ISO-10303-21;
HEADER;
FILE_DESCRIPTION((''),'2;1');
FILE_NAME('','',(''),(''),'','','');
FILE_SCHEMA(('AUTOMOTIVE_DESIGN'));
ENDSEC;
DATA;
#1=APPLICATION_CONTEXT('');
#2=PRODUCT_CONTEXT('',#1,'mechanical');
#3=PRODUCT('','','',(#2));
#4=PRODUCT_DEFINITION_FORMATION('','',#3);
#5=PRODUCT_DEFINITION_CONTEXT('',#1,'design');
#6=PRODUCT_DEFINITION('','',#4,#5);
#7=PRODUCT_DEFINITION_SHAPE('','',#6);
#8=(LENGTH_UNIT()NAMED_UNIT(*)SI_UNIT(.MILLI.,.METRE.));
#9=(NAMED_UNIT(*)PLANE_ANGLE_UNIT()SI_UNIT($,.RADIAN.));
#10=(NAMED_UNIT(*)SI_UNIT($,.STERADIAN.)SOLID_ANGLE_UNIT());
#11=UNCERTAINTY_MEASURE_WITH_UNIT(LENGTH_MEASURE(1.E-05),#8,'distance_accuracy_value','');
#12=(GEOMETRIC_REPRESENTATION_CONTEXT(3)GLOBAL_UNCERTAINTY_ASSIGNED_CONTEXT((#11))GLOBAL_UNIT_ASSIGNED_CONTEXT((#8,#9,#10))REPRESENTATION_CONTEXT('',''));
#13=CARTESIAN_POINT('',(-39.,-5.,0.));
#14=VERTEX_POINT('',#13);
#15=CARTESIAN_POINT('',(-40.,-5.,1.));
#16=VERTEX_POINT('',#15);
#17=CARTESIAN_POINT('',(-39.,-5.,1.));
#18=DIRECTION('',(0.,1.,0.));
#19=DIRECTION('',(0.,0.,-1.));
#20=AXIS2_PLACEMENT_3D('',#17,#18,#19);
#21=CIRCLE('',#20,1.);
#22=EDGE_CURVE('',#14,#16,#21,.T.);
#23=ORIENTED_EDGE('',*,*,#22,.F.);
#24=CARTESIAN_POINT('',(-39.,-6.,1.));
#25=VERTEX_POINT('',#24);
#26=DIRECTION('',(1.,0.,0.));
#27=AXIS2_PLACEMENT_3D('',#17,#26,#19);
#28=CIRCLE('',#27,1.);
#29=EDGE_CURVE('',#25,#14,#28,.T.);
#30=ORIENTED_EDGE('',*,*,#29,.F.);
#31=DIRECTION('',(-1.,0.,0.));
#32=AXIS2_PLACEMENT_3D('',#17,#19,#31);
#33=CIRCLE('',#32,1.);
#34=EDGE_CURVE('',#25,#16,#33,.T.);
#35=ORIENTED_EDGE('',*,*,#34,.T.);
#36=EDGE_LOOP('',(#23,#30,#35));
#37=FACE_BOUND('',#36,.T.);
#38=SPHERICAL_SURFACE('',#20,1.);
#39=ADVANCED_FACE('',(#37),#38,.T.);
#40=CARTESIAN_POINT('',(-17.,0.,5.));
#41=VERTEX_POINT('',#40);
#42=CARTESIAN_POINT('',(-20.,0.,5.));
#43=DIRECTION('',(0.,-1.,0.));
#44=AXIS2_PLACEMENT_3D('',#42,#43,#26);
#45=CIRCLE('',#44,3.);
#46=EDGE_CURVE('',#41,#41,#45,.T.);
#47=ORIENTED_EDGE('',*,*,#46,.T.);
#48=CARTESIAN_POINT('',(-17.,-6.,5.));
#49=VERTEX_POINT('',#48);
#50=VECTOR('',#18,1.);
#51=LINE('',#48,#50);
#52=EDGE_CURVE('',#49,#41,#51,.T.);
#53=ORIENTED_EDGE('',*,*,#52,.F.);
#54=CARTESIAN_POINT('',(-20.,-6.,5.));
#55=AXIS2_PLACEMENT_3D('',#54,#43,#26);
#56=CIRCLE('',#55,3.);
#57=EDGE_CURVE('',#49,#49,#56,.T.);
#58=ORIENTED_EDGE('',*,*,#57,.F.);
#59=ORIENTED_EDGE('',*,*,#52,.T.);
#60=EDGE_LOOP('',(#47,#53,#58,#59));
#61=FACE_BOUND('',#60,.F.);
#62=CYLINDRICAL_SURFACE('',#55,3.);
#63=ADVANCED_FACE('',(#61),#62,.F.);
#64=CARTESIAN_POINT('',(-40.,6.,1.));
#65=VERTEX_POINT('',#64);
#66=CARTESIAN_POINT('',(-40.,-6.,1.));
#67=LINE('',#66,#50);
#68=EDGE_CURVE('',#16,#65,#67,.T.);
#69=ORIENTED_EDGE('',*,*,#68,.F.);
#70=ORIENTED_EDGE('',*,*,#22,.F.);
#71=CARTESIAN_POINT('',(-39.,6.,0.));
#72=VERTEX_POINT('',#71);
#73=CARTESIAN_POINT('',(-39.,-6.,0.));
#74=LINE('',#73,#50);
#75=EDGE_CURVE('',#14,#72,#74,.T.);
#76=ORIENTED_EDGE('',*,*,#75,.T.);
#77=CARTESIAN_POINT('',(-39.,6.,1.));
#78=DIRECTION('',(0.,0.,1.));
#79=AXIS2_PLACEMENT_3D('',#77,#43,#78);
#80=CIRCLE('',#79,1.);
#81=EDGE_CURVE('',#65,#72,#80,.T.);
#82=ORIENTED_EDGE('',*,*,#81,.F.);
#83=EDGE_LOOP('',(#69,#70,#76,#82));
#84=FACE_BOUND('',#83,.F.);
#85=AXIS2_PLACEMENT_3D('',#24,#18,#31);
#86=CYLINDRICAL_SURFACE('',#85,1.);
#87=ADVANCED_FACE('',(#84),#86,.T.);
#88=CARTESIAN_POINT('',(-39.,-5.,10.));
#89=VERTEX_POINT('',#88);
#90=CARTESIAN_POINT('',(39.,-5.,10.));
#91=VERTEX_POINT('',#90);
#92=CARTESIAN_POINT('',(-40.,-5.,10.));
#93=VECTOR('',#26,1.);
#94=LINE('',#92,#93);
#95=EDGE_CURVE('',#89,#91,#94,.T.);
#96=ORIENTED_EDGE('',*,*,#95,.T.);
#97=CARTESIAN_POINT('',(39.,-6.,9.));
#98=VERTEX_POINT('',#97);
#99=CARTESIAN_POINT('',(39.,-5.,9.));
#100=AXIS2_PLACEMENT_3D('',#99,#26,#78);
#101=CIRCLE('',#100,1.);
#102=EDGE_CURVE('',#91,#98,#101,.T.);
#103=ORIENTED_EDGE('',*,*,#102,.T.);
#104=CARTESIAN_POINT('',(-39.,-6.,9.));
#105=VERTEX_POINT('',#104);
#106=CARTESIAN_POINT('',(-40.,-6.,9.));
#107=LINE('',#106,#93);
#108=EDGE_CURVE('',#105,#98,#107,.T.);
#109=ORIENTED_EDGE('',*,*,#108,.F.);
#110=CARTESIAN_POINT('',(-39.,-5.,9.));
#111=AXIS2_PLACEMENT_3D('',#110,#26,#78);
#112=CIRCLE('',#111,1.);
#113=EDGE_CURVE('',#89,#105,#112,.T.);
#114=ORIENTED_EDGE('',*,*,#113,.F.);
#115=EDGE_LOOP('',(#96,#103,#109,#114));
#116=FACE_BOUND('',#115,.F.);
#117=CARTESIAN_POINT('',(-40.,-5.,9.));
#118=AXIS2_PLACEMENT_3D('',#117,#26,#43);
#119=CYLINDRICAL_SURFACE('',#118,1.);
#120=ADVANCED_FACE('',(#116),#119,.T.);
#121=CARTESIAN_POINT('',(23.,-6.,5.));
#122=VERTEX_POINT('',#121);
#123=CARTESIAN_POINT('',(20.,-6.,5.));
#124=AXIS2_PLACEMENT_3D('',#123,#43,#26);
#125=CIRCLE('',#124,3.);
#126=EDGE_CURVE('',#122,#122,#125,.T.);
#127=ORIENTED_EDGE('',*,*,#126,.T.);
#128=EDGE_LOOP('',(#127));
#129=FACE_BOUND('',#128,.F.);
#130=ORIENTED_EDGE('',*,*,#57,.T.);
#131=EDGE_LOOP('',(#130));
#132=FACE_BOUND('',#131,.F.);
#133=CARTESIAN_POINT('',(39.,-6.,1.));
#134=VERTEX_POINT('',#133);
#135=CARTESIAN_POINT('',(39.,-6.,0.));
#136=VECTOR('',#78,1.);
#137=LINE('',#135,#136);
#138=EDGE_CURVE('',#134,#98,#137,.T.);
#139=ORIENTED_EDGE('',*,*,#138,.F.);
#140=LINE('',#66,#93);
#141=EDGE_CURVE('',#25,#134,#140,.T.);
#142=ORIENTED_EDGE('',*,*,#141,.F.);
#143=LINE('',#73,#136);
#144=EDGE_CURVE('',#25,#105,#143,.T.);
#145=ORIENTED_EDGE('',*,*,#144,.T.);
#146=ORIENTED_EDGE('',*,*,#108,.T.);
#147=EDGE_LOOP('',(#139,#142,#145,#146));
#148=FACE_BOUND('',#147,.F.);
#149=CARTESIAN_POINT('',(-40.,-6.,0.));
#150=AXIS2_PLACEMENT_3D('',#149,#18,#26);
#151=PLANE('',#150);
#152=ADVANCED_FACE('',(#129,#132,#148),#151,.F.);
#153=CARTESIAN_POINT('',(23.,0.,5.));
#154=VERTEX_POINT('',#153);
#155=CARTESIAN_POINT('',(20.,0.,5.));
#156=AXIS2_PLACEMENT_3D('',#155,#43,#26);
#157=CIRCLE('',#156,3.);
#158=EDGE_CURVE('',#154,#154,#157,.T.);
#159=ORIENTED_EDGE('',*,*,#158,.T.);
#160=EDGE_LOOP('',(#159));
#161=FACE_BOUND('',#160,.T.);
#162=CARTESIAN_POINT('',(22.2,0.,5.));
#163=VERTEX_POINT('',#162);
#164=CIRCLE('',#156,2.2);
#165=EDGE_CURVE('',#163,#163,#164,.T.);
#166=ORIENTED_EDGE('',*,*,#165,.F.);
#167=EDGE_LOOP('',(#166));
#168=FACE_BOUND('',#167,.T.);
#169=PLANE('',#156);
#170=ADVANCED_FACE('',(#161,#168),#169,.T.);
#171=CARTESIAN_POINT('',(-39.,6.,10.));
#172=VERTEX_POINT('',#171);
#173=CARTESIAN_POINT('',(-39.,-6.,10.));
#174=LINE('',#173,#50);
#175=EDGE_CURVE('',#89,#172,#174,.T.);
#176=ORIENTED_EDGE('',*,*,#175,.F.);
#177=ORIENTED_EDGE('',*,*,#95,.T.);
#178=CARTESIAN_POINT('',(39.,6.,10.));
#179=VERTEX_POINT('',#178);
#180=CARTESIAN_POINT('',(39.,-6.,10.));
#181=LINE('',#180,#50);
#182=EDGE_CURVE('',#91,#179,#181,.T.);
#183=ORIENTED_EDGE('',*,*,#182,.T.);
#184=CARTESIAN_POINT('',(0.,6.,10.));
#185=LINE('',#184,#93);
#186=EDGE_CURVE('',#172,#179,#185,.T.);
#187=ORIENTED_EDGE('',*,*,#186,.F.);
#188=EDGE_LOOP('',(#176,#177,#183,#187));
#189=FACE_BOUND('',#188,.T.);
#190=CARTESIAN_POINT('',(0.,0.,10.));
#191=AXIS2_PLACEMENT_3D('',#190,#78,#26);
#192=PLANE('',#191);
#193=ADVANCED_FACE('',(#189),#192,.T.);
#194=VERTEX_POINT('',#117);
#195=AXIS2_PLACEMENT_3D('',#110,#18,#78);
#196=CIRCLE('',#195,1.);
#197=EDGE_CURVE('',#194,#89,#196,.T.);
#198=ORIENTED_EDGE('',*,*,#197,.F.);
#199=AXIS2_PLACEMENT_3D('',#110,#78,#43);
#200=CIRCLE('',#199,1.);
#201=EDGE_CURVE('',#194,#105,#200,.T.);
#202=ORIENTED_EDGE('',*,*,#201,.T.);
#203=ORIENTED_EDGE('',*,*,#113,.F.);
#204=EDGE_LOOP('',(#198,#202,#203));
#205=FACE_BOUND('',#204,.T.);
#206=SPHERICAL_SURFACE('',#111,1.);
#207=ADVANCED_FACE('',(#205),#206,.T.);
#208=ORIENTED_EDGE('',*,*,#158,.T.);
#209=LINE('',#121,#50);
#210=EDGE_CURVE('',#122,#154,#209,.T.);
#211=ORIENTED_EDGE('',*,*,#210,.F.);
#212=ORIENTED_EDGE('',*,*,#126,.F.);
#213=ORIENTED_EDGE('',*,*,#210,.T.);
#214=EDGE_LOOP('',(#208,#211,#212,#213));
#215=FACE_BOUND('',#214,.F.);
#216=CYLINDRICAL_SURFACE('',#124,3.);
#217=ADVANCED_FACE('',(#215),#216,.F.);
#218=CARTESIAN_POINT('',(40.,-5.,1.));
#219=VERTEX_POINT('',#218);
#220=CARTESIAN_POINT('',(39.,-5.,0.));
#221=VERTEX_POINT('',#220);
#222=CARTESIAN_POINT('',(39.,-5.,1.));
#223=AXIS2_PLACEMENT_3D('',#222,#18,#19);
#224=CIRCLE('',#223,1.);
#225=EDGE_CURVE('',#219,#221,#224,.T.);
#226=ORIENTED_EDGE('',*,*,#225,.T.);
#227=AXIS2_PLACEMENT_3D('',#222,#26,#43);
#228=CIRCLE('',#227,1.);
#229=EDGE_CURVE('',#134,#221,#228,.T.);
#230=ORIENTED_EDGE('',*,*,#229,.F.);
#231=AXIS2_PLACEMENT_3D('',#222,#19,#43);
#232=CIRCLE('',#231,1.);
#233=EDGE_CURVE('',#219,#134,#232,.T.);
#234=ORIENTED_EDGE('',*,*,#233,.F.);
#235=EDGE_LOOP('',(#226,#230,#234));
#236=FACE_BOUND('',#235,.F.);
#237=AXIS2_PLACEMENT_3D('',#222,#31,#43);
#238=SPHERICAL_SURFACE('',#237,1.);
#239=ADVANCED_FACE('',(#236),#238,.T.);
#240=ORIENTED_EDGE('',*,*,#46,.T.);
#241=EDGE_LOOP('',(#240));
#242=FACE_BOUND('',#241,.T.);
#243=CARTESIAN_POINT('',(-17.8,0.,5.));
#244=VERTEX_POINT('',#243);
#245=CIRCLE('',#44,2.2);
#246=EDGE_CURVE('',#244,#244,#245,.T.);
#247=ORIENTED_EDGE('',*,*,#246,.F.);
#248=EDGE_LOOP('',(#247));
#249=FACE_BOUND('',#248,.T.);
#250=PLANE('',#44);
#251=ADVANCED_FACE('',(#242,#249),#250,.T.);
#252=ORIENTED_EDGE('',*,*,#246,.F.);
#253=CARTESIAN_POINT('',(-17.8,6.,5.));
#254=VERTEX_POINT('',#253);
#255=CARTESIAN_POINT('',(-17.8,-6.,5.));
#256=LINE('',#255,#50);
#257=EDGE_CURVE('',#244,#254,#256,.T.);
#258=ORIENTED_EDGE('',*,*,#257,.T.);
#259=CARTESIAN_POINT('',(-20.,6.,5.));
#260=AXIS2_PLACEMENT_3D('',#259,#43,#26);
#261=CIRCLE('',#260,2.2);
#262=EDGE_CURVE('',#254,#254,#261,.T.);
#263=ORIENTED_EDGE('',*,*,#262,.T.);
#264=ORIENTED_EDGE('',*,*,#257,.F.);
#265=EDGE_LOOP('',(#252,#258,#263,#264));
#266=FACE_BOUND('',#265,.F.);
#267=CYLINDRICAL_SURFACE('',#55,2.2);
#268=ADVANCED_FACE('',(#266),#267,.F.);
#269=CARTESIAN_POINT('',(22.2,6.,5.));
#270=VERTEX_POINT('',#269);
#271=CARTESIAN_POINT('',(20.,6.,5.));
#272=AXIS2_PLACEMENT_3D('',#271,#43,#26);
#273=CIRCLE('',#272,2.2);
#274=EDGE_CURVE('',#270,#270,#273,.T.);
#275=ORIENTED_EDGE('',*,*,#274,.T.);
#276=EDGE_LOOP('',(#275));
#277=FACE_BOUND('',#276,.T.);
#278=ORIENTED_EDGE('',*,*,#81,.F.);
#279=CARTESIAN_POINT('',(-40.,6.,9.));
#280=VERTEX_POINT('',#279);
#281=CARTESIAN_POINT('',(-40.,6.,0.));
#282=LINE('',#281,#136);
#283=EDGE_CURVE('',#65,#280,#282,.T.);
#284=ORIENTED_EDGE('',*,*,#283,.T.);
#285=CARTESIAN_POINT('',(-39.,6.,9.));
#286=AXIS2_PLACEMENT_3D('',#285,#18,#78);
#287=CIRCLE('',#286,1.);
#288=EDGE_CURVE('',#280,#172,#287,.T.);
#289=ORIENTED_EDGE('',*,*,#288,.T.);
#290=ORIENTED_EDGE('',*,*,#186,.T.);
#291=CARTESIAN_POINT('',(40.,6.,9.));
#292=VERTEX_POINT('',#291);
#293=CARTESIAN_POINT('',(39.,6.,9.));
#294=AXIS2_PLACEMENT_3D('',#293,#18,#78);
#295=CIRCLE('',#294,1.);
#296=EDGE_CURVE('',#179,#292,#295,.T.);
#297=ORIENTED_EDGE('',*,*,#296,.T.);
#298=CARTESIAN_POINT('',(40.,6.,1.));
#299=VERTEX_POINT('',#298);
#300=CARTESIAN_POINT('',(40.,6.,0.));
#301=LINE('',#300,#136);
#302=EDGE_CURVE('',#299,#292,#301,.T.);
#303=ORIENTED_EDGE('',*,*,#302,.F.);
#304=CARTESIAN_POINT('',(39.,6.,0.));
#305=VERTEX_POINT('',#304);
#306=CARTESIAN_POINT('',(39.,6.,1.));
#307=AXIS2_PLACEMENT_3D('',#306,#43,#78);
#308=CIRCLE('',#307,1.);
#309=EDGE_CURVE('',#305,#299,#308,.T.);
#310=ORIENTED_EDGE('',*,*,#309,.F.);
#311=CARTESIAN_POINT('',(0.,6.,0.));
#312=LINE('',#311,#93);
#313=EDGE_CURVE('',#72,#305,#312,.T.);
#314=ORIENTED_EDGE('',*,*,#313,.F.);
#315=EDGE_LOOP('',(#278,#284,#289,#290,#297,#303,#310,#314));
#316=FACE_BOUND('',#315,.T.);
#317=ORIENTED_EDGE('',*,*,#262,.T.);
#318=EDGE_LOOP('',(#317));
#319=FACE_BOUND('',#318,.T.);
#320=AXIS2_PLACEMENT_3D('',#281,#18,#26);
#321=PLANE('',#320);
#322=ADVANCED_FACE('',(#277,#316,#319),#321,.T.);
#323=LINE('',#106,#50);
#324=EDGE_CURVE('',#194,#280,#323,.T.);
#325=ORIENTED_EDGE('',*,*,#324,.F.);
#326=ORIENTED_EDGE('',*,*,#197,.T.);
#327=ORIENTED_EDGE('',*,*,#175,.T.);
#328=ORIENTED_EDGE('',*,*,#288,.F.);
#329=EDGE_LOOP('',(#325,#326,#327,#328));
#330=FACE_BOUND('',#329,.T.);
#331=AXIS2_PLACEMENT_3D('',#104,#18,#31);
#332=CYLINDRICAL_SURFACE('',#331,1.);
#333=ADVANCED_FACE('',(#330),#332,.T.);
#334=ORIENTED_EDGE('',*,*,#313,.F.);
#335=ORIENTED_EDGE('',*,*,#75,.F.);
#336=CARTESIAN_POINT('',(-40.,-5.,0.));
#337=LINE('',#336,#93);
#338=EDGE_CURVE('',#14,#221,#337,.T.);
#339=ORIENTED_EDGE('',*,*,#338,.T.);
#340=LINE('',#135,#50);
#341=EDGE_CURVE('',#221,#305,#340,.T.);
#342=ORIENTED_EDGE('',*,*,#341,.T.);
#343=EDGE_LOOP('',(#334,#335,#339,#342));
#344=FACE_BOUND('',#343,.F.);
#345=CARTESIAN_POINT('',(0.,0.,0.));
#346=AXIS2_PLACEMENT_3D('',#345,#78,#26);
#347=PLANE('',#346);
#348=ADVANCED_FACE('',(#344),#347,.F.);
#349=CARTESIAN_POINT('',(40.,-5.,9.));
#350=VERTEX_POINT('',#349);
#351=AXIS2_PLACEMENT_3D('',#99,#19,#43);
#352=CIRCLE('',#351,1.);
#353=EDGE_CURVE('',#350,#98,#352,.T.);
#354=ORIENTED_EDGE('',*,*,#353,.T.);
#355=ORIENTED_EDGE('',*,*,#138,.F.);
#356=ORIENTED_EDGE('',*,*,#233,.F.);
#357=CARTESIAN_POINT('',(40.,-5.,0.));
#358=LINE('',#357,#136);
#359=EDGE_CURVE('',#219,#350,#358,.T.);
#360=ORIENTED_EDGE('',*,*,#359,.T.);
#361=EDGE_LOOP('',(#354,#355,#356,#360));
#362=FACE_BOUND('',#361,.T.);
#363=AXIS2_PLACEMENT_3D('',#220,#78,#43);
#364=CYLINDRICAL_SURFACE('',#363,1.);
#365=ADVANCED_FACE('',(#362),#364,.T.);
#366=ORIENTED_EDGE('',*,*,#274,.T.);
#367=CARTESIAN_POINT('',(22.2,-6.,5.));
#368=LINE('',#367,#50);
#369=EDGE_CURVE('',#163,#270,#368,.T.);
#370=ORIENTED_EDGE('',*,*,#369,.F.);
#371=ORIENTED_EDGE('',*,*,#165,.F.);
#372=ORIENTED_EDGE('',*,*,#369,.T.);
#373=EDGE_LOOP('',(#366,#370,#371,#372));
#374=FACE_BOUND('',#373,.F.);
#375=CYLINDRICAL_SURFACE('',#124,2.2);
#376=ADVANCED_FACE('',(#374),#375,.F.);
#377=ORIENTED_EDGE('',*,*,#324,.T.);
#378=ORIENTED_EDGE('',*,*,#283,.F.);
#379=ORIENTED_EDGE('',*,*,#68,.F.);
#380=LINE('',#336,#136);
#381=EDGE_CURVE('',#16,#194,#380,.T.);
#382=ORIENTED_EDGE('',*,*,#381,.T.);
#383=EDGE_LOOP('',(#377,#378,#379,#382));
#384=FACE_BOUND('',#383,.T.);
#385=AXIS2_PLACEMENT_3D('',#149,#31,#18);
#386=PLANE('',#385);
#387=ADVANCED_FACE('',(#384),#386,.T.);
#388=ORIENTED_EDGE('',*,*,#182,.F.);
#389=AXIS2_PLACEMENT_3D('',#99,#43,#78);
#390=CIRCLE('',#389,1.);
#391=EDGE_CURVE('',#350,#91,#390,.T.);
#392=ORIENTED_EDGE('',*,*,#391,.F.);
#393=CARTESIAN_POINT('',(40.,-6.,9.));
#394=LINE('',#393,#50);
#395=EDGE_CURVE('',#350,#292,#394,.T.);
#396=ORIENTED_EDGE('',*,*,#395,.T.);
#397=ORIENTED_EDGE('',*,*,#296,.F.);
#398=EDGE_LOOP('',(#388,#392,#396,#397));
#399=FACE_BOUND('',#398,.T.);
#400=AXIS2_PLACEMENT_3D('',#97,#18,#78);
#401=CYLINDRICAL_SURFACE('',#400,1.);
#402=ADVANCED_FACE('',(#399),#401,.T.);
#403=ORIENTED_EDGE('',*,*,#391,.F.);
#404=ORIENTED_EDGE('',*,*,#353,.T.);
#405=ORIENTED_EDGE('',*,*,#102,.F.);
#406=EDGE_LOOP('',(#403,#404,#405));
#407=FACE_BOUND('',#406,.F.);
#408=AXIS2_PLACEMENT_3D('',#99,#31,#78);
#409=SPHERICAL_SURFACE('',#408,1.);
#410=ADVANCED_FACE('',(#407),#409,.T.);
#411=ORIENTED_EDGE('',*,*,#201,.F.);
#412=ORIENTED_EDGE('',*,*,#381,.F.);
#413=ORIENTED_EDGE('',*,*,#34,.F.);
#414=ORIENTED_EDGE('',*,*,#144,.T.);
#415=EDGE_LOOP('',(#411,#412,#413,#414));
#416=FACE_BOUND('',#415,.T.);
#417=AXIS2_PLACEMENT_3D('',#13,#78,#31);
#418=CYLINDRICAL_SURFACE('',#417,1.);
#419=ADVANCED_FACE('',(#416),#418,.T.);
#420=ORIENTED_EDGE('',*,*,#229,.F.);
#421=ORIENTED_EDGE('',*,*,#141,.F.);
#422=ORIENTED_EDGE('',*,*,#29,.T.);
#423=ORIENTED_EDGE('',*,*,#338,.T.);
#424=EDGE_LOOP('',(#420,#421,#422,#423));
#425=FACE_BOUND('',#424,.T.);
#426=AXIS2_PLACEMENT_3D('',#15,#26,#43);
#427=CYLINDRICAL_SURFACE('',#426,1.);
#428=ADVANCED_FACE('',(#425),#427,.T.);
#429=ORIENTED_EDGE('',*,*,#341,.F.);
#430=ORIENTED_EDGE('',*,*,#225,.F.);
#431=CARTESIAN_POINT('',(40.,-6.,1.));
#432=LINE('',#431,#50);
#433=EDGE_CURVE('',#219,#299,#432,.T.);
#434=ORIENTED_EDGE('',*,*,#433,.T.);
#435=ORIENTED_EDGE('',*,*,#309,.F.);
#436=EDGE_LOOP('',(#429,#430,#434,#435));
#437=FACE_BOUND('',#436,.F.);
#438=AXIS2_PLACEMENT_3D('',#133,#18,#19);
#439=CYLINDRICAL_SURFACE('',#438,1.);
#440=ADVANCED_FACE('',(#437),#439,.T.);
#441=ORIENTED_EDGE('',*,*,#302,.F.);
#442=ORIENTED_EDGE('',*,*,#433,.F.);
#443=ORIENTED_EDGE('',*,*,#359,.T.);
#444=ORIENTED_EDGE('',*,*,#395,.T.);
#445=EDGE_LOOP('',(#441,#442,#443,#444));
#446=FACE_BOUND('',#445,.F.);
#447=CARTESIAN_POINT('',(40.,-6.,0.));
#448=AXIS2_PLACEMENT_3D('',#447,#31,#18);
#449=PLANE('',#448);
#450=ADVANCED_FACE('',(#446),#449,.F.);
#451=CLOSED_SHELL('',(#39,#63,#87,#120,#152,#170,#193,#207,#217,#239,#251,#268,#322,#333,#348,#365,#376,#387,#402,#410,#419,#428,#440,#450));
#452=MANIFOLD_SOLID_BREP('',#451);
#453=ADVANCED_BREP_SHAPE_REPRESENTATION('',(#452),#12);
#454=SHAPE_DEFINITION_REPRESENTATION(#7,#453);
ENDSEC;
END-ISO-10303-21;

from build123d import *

# Parameters (mm, degrees)
F0_W     = 80
F0_H     = 12
F1_DEPTH = 10
F2_R     = 2.2
F3_DEPTH = 12.001
F2_R_2   = 3
F4_DEPTH = 6
F5_R     = 1


with BuildPart() as f1:
    # F0 (on Top) → F1 (new body)
    with BuildSketch(Plane.XY):
        Rectangle(F0_W, F0_H)
    extrude(amount=F1_DEPTH)

    # F2 (on face) → F3 (cut, through all)
    with BuildSketch(Plane.XZ.offset(6)):
        with Locations((-20, 5)):
            Circle(F2_R)
        with Locations((20, 5)):
            Circle(F2_R)
    extrude(amount=-F3_DEPTH, mode=Mode.SUBTRACT)

    # F2 (on face) → F4 (cut)
    with BuildSketch(Plane.XZ.offset(6)):
        with Locations((-20, 5)):
            Circle(F2_R_2)
        with Locations((-20, 5)):
            Circle(F2_R, mode=Mode.SUBTRACT)
        with Locations((20, 5)):
            Circle(F2_R_2)
        with Locations((20, 5)):
            Circle(F2_R, mode=Mode.SUBTRACT)
    extrude(amount=-F4_DEPTH, mode=Mode.SUBTRACT)

    # F5
    f5_edges = [f1.edges().sort_by_distance(p)[0] for p in [
        (0, -6, 10),
        (-40, 0, 10),
        (40, 0, 10),
        (-40, 0, 0),
        (0, -6, 0),
        (40, -6, 5),
        (-40, -6, 5),
        (40, 0, 0),
    ]]
    fillet(f5_edges, radius=F5_R)


solid = f1.part
